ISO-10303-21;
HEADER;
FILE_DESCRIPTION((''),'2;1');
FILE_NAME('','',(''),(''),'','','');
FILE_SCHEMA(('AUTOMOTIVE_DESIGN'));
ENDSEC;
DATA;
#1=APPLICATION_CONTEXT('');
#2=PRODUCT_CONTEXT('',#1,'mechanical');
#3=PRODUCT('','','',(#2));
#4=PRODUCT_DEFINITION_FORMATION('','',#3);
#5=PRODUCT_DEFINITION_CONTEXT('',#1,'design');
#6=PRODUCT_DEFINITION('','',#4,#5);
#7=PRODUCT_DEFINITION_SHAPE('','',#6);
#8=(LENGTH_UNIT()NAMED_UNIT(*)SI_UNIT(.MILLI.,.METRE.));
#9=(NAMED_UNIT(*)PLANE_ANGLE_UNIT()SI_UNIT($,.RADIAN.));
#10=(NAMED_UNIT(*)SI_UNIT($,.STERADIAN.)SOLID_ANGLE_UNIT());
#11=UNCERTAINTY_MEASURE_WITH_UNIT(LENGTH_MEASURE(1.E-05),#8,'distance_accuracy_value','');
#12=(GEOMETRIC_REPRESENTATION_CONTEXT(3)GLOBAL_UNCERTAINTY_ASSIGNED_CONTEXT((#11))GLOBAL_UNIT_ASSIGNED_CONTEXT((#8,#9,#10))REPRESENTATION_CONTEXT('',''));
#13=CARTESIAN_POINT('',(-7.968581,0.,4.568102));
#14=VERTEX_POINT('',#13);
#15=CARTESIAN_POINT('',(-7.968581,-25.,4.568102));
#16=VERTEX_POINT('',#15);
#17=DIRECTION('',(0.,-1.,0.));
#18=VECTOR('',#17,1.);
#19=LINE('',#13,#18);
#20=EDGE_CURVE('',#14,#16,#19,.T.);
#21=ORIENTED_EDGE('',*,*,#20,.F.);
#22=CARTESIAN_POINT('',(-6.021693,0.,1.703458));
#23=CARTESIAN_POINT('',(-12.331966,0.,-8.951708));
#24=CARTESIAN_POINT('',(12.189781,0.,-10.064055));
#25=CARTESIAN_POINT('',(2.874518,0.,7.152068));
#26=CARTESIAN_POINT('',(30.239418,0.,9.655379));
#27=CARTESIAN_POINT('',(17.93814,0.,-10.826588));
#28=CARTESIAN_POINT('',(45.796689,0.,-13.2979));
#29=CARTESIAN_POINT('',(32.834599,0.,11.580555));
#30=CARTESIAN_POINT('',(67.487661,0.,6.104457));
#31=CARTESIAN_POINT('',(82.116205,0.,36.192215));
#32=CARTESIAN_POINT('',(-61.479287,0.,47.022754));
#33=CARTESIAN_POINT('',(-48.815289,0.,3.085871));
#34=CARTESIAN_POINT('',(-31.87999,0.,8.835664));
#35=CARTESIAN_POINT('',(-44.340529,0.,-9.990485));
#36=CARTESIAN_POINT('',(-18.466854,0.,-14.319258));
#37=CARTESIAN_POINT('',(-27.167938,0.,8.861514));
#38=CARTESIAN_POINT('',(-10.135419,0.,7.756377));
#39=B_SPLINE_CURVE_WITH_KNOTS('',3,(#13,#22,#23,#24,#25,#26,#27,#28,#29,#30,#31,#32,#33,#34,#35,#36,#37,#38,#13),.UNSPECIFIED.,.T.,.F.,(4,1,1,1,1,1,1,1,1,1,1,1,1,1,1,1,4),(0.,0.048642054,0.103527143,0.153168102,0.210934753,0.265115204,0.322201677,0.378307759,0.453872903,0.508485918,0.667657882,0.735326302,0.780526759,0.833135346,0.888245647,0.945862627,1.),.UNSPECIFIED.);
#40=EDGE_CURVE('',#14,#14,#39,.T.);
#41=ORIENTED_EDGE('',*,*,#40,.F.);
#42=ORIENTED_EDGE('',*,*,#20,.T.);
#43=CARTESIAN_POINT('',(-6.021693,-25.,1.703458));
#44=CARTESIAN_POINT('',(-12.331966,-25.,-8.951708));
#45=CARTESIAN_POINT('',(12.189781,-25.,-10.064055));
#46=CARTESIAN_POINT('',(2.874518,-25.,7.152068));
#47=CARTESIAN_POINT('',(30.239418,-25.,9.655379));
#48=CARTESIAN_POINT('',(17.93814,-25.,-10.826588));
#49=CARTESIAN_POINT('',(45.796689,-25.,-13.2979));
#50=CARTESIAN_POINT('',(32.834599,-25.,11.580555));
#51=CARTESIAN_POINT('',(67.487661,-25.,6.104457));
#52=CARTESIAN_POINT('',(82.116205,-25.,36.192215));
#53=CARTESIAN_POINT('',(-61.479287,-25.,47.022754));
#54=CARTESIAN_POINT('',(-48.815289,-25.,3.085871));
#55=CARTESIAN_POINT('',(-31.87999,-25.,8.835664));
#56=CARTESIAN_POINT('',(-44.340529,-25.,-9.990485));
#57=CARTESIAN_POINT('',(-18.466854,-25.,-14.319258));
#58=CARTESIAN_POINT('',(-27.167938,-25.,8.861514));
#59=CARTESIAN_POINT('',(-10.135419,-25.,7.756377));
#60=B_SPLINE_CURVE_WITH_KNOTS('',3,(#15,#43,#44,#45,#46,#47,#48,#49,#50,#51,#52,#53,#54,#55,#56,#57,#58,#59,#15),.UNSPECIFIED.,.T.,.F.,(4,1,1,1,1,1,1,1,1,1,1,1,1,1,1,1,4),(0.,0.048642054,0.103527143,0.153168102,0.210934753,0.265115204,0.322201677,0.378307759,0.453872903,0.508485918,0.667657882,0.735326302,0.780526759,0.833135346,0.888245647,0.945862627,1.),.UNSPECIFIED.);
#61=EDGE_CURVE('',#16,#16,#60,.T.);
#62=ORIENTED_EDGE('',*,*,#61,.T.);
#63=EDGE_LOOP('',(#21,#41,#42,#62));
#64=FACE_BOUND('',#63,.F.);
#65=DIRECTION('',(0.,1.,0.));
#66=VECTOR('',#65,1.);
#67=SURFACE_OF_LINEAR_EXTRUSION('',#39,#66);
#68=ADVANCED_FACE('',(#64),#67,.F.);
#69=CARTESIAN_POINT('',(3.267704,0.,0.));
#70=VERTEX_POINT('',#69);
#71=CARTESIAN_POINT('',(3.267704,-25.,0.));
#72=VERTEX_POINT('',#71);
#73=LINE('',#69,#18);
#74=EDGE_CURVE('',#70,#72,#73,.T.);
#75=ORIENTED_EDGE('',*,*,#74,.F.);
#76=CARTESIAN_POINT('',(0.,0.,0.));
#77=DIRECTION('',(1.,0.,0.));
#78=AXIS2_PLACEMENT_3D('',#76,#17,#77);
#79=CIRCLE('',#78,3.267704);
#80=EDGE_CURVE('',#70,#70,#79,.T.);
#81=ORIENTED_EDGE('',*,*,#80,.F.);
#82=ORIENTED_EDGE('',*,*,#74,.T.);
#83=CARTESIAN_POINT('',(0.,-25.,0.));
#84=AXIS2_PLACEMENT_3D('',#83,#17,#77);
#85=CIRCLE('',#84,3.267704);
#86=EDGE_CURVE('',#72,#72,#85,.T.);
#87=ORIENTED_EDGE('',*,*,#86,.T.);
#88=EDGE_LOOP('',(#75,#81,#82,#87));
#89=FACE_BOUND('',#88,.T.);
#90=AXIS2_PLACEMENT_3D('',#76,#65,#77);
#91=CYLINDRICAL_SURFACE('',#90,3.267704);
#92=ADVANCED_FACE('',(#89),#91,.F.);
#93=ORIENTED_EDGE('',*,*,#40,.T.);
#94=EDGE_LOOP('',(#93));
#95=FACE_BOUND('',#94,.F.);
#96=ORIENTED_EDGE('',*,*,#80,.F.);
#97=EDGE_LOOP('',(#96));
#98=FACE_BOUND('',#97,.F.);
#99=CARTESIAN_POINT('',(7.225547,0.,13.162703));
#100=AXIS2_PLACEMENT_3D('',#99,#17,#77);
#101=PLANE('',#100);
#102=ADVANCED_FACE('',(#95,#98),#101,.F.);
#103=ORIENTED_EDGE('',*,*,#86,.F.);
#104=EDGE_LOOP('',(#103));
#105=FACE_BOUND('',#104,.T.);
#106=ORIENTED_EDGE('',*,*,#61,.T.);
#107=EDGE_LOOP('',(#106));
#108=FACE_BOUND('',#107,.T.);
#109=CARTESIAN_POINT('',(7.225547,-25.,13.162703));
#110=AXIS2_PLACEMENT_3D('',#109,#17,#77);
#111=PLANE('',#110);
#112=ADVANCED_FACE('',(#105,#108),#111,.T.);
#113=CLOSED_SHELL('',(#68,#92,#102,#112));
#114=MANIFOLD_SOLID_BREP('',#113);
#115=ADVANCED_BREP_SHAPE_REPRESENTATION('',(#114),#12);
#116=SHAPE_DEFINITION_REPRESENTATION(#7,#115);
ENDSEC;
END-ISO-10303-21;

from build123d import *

# Parameters (mm, degrees)
F0_R     = 3.2677043224
F1_DEPTH = 25


with BuildPart() as f1:
    # F0 (on Front) → F1 (new body)
    with BuildSketch(Plane.XZ):
        with BuildLine():
            add(Edge.make_bspline(
                [(-7.9685812816, 4.5681018382), (-6.0216928566, 1.7034583958), (-12.3319656867, -8.9517084732), (12.1897814043, -10.0640552121), (2.8745183101, 7.1520675802), (30.2394177685, 9.6553785268), (17.9381401981, -10.8265883447), (45.7966886528, -13.297900449), (32.8345988061, 11.5805548821), (67.4876612301, 6.1044573584), (82.1162048984, 36.1922153609), (-61.4792871461, 47.0227537935), (-48.8152891845, 3.0858714711), (-31.8799895441, 8.8356644228), (-44.3405292863, -9.9904848629), (-18.4668542481, -14.3192577911), (-27.1679381333, 8.8615140538), (-10.135418733, 7.7563773533), (-7.9685812816, 4.5681018382)],
                knots=[0, 0, 0, 0, 0.0486420542, 0.1035271431, 0.1531681024, 0.210934753, 0.2651152039, 0.3222016767, 0.3783077592, 0.4538729028, 0.5084859181, 0.6676578817, 0.735326302, 0.7805267588, 0.8331353456, 0.8882456469, 0.945862627, 1, 1, 1, 1], degree=3))
        make_face()
        Circle(F0_R, mode=Mode.SUBTRACT)
    extrude(amount=F1_DEPTH)


solid = f1.part
